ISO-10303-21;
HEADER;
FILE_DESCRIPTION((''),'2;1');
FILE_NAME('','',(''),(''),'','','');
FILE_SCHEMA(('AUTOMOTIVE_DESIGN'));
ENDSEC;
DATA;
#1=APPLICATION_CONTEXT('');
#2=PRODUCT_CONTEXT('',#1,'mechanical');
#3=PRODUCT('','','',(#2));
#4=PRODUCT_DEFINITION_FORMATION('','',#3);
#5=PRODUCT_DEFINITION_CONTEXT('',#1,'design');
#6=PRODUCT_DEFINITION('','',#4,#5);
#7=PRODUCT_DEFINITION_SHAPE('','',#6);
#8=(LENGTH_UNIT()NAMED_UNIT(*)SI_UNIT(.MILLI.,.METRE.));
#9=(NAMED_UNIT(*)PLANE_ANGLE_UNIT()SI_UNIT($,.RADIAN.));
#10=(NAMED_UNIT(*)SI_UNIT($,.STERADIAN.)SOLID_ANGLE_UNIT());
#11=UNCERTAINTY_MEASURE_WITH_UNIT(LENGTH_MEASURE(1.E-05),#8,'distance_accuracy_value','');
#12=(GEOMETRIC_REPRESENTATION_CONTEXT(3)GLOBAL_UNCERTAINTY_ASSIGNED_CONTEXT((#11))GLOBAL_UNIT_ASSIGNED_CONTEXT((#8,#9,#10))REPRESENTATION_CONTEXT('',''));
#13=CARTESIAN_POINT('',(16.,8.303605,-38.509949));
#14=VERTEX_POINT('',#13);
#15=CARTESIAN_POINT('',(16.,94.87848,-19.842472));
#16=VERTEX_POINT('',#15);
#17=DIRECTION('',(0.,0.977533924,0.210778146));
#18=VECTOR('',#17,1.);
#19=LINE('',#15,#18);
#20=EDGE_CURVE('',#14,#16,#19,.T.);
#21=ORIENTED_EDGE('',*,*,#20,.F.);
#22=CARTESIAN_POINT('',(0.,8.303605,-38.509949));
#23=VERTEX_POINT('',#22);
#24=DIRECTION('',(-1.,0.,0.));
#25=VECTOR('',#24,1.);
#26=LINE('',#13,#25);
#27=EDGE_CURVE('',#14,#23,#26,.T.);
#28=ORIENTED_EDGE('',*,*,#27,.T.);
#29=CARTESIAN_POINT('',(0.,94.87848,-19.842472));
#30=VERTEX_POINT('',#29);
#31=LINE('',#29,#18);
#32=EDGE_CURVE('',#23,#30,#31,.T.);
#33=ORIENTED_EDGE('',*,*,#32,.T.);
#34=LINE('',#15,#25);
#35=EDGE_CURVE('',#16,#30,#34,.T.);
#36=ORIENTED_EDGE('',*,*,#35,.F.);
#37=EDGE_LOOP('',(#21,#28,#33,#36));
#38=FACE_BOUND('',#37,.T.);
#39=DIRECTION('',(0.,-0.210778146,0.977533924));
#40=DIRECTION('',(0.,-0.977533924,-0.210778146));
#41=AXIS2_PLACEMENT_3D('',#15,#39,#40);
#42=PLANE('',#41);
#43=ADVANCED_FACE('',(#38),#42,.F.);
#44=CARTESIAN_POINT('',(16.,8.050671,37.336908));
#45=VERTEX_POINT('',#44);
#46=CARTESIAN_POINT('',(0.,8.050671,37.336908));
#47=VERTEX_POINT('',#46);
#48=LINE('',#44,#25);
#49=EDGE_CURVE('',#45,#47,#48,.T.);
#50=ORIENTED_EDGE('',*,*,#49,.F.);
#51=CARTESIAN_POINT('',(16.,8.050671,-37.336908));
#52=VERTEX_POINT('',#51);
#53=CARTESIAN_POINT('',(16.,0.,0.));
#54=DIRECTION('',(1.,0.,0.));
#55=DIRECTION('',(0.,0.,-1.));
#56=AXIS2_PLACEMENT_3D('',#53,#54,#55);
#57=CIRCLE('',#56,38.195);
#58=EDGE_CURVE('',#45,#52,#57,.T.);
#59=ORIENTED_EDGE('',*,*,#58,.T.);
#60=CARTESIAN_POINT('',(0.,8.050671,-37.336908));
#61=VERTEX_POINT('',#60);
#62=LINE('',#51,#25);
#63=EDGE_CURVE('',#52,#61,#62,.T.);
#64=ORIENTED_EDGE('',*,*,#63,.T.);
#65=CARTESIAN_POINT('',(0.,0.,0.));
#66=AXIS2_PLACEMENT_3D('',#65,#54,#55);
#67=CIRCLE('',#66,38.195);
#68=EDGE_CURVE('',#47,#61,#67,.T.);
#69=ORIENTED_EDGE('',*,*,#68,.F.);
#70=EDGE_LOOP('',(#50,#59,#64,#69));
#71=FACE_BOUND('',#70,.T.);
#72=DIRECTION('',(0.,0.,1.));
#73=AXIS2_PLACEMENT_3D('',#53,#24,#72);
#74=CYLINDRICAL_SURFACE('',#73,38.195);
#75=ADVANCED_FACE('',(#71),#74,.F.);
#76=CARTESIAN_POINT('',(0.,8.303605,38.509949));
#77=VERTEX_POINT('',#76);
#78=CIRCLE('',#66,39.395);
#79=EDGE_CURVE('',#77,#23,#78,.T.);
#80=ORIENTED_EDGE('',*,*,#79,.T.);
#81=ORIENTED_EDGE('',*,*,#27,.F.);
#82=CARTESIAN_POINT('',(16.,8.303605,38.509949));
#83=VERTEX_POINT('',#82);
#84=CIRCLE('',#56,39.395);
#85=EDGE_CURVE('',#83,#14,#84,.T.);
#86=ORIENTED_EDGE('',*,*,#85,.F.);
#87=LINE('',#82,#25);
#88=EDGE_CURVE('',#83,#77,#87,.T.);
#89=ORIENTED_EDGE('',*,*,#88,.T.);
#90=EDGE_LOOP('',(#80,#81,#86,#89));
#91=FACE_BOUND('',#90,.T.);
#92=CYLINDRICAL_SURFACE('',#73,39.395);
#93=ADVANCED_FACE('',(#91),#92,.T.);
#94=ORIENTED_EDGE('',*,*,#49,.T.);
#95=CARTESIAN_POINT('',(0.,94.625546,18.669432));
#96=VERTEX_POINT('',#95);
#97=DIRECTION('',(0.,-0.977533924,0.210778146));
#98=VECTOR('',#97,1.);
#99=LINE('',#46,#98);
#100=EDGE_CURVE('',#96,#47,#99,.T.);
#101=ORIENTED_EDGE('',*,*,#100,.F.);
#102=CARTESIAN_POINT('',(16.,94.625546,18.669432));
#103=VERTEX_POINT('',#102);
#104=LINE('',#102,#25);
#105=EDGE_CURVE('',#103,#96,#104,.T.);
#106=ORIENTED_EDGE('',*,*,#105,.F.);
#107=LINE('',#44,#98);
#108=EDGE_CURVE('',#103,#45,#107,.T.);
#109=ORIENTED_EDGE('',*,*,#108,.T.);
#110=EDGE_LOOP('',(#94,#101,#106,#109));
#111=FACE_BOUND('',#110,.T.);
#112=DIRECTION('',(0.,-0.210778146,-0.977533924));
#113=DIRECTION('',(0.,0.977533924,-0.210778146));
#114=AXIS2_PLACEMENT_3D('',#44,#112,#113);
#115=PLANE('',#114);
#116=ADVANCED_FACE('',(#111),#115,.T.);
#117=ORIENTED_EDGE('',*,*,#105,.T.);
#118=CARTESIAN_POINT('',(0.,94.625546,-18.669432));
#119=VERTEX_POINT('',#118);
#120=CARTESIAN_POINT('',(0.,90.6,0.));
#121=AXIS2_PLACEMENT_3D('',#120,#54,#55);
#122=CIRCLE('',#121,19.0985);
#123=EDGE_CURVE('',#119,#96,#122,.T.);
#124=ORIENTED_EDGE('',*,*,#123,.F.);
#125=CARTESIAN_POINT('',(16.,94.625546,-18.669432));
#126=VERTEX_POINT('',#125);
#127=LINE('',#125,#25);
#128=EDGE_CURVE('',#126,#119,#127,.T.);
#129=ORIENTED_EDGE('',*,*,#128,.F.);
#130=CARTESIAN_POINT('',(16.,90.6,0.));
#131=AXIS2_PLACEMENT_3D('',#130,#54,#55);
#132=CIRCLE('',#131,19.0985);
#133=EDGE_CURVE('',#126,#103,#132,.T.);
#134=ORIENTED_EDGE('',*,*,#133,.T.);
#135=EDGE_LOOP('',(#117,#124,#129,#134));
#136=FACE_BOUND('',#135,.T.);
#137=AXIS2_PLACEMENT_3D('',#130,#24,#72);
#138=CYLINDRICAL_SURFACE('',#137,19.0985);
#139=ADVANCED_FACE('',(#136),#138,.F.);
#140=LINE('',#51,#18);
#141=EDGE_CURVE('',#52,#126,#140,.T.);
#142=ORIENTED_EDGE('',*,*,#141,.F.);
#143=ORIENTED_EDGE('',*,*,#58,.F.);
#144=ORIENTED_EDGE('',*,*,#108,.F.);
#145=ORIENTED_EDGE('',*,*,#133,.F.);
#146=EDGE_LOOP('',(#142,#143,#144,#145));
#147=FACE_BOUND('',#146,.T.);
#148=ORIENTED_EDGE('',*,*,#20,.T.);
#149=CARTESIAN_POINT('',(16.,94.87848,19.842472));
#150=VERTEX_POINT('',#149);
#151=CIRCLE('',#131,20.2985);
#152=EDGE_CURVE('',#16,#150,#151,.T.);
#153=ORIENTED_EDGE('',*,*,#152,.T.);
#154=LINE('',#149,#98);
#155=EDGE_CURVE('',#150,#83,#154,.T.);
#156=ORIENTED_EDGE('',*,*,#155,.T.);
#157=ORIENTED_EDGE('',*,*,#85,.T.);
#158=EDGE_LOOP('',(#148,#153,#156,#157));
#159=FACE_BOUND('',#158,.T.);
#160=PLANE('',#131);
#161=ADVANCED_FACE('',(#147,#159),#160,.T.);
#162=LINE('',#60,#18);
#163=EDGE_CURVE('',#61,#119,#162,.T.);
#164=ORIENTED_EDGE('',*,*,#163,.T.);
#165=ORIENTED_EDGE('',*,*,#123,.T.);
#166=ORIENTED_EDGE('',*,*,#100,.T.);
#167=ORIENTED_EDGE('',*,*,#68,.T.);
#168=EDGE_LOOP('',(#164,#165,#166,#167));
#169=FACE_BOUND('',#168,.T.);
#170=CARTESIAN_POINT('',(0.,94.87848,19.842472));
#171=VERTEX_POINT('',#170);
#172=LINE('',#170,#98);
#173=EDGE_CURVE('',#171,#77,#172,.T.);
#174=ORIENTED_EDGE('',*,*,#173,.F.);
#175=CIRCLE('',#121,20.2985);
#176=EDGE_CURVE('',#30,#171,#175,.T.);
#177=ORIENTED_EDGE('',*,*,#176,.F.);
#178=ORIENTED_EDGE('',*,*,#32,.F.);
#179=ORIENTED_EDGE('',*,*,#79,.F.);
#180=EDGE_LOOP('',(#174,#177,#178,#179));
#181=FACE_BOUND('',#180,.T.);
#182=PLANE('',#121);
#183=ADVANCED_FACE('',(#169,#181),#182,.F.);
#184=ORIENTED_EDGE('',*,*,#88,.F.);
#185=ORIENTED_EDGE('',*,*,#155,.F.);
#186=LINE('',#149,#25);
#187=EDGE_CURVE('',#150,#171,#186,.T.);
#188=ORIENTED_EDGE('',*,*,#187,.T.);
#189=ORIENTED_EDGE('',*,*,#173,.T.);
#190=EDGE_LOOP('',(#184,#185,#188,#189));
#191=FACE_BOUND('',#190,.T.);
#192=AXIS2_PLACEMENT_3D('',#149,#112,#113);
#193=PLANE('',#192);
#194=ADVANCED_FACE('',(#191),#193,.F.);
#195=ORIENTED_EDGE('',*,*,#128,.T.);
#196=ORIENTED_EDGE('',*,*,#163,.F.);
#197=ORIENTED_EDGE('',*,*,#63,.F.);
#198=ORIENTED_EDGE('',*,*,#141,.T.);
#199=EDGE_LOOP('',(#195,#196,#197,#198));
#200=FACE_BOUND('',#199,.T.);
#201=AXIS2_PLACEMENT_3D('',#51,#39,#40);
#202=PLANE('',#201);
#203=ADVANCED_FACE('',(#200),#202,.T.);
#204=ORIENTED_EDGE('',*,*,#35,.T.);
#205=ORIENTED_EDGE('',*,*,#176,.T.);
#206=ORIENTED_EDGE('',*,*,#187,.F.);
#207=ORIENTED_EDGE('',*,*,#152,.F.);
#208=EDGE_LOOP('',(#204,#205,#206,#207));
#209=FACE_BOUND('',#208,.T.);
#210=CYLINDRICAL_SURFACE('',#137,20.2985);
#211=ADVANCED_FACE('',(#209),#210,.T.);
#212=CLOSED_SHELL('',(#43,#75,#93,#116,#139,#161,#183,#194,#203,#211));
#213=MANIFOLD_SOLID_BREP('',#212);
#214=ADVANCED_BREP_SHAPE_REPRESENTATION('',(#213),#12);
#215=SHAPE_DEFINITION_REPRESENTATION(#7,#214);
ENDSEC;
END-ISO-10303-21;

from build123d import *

# Parameters (mm, degrees)
BOSS_EXTRUDE1_DEPTH = 16


with BuildPart() as part:
    # Sketch1 → Boss-Extrude1 (new body)
    with BuildSketch(Plane(origin=(0, 0, 0), x_dir=(0, 0, -1), z_dir=(1, 0, 0))):
        with BuildLine():
            Line((19.842472364, 94.87848019), (38.509948951, 8.30360505))
            ThreePointArc((38.509948951, 8.30360505), (0, -39.395), (-38.509948951, 8.30360505))
            Line((-38.509948951, 8.30360505), (-19.842472364, 94.87848019))
            ThreePointArc((-19.842472364, 94.87848019), (0, 110.8985), (19.842472364, 94.87848019))
        make_face()
        with BuildLine():
            Line((-37.336908241, 8.050671275), (-18.669431655, 94.625546416))
            ThreePointArc((-18.669431655, 94.625546416), (0, 109.6985), (18.669431655, 94.625546416))
            Line((18.669431655, 94.625546416), (37.336908241, 8.050671275))
            ThreePointArc((37.336908241, 8.050671275), (0, -38.195), (-37.336908241, 8.050671275))
        make_face(mode=Mode.SUBTRACT)
    extrude(amount=BOSS_EXTRUDE1_DEPTH)


solid = part.part
